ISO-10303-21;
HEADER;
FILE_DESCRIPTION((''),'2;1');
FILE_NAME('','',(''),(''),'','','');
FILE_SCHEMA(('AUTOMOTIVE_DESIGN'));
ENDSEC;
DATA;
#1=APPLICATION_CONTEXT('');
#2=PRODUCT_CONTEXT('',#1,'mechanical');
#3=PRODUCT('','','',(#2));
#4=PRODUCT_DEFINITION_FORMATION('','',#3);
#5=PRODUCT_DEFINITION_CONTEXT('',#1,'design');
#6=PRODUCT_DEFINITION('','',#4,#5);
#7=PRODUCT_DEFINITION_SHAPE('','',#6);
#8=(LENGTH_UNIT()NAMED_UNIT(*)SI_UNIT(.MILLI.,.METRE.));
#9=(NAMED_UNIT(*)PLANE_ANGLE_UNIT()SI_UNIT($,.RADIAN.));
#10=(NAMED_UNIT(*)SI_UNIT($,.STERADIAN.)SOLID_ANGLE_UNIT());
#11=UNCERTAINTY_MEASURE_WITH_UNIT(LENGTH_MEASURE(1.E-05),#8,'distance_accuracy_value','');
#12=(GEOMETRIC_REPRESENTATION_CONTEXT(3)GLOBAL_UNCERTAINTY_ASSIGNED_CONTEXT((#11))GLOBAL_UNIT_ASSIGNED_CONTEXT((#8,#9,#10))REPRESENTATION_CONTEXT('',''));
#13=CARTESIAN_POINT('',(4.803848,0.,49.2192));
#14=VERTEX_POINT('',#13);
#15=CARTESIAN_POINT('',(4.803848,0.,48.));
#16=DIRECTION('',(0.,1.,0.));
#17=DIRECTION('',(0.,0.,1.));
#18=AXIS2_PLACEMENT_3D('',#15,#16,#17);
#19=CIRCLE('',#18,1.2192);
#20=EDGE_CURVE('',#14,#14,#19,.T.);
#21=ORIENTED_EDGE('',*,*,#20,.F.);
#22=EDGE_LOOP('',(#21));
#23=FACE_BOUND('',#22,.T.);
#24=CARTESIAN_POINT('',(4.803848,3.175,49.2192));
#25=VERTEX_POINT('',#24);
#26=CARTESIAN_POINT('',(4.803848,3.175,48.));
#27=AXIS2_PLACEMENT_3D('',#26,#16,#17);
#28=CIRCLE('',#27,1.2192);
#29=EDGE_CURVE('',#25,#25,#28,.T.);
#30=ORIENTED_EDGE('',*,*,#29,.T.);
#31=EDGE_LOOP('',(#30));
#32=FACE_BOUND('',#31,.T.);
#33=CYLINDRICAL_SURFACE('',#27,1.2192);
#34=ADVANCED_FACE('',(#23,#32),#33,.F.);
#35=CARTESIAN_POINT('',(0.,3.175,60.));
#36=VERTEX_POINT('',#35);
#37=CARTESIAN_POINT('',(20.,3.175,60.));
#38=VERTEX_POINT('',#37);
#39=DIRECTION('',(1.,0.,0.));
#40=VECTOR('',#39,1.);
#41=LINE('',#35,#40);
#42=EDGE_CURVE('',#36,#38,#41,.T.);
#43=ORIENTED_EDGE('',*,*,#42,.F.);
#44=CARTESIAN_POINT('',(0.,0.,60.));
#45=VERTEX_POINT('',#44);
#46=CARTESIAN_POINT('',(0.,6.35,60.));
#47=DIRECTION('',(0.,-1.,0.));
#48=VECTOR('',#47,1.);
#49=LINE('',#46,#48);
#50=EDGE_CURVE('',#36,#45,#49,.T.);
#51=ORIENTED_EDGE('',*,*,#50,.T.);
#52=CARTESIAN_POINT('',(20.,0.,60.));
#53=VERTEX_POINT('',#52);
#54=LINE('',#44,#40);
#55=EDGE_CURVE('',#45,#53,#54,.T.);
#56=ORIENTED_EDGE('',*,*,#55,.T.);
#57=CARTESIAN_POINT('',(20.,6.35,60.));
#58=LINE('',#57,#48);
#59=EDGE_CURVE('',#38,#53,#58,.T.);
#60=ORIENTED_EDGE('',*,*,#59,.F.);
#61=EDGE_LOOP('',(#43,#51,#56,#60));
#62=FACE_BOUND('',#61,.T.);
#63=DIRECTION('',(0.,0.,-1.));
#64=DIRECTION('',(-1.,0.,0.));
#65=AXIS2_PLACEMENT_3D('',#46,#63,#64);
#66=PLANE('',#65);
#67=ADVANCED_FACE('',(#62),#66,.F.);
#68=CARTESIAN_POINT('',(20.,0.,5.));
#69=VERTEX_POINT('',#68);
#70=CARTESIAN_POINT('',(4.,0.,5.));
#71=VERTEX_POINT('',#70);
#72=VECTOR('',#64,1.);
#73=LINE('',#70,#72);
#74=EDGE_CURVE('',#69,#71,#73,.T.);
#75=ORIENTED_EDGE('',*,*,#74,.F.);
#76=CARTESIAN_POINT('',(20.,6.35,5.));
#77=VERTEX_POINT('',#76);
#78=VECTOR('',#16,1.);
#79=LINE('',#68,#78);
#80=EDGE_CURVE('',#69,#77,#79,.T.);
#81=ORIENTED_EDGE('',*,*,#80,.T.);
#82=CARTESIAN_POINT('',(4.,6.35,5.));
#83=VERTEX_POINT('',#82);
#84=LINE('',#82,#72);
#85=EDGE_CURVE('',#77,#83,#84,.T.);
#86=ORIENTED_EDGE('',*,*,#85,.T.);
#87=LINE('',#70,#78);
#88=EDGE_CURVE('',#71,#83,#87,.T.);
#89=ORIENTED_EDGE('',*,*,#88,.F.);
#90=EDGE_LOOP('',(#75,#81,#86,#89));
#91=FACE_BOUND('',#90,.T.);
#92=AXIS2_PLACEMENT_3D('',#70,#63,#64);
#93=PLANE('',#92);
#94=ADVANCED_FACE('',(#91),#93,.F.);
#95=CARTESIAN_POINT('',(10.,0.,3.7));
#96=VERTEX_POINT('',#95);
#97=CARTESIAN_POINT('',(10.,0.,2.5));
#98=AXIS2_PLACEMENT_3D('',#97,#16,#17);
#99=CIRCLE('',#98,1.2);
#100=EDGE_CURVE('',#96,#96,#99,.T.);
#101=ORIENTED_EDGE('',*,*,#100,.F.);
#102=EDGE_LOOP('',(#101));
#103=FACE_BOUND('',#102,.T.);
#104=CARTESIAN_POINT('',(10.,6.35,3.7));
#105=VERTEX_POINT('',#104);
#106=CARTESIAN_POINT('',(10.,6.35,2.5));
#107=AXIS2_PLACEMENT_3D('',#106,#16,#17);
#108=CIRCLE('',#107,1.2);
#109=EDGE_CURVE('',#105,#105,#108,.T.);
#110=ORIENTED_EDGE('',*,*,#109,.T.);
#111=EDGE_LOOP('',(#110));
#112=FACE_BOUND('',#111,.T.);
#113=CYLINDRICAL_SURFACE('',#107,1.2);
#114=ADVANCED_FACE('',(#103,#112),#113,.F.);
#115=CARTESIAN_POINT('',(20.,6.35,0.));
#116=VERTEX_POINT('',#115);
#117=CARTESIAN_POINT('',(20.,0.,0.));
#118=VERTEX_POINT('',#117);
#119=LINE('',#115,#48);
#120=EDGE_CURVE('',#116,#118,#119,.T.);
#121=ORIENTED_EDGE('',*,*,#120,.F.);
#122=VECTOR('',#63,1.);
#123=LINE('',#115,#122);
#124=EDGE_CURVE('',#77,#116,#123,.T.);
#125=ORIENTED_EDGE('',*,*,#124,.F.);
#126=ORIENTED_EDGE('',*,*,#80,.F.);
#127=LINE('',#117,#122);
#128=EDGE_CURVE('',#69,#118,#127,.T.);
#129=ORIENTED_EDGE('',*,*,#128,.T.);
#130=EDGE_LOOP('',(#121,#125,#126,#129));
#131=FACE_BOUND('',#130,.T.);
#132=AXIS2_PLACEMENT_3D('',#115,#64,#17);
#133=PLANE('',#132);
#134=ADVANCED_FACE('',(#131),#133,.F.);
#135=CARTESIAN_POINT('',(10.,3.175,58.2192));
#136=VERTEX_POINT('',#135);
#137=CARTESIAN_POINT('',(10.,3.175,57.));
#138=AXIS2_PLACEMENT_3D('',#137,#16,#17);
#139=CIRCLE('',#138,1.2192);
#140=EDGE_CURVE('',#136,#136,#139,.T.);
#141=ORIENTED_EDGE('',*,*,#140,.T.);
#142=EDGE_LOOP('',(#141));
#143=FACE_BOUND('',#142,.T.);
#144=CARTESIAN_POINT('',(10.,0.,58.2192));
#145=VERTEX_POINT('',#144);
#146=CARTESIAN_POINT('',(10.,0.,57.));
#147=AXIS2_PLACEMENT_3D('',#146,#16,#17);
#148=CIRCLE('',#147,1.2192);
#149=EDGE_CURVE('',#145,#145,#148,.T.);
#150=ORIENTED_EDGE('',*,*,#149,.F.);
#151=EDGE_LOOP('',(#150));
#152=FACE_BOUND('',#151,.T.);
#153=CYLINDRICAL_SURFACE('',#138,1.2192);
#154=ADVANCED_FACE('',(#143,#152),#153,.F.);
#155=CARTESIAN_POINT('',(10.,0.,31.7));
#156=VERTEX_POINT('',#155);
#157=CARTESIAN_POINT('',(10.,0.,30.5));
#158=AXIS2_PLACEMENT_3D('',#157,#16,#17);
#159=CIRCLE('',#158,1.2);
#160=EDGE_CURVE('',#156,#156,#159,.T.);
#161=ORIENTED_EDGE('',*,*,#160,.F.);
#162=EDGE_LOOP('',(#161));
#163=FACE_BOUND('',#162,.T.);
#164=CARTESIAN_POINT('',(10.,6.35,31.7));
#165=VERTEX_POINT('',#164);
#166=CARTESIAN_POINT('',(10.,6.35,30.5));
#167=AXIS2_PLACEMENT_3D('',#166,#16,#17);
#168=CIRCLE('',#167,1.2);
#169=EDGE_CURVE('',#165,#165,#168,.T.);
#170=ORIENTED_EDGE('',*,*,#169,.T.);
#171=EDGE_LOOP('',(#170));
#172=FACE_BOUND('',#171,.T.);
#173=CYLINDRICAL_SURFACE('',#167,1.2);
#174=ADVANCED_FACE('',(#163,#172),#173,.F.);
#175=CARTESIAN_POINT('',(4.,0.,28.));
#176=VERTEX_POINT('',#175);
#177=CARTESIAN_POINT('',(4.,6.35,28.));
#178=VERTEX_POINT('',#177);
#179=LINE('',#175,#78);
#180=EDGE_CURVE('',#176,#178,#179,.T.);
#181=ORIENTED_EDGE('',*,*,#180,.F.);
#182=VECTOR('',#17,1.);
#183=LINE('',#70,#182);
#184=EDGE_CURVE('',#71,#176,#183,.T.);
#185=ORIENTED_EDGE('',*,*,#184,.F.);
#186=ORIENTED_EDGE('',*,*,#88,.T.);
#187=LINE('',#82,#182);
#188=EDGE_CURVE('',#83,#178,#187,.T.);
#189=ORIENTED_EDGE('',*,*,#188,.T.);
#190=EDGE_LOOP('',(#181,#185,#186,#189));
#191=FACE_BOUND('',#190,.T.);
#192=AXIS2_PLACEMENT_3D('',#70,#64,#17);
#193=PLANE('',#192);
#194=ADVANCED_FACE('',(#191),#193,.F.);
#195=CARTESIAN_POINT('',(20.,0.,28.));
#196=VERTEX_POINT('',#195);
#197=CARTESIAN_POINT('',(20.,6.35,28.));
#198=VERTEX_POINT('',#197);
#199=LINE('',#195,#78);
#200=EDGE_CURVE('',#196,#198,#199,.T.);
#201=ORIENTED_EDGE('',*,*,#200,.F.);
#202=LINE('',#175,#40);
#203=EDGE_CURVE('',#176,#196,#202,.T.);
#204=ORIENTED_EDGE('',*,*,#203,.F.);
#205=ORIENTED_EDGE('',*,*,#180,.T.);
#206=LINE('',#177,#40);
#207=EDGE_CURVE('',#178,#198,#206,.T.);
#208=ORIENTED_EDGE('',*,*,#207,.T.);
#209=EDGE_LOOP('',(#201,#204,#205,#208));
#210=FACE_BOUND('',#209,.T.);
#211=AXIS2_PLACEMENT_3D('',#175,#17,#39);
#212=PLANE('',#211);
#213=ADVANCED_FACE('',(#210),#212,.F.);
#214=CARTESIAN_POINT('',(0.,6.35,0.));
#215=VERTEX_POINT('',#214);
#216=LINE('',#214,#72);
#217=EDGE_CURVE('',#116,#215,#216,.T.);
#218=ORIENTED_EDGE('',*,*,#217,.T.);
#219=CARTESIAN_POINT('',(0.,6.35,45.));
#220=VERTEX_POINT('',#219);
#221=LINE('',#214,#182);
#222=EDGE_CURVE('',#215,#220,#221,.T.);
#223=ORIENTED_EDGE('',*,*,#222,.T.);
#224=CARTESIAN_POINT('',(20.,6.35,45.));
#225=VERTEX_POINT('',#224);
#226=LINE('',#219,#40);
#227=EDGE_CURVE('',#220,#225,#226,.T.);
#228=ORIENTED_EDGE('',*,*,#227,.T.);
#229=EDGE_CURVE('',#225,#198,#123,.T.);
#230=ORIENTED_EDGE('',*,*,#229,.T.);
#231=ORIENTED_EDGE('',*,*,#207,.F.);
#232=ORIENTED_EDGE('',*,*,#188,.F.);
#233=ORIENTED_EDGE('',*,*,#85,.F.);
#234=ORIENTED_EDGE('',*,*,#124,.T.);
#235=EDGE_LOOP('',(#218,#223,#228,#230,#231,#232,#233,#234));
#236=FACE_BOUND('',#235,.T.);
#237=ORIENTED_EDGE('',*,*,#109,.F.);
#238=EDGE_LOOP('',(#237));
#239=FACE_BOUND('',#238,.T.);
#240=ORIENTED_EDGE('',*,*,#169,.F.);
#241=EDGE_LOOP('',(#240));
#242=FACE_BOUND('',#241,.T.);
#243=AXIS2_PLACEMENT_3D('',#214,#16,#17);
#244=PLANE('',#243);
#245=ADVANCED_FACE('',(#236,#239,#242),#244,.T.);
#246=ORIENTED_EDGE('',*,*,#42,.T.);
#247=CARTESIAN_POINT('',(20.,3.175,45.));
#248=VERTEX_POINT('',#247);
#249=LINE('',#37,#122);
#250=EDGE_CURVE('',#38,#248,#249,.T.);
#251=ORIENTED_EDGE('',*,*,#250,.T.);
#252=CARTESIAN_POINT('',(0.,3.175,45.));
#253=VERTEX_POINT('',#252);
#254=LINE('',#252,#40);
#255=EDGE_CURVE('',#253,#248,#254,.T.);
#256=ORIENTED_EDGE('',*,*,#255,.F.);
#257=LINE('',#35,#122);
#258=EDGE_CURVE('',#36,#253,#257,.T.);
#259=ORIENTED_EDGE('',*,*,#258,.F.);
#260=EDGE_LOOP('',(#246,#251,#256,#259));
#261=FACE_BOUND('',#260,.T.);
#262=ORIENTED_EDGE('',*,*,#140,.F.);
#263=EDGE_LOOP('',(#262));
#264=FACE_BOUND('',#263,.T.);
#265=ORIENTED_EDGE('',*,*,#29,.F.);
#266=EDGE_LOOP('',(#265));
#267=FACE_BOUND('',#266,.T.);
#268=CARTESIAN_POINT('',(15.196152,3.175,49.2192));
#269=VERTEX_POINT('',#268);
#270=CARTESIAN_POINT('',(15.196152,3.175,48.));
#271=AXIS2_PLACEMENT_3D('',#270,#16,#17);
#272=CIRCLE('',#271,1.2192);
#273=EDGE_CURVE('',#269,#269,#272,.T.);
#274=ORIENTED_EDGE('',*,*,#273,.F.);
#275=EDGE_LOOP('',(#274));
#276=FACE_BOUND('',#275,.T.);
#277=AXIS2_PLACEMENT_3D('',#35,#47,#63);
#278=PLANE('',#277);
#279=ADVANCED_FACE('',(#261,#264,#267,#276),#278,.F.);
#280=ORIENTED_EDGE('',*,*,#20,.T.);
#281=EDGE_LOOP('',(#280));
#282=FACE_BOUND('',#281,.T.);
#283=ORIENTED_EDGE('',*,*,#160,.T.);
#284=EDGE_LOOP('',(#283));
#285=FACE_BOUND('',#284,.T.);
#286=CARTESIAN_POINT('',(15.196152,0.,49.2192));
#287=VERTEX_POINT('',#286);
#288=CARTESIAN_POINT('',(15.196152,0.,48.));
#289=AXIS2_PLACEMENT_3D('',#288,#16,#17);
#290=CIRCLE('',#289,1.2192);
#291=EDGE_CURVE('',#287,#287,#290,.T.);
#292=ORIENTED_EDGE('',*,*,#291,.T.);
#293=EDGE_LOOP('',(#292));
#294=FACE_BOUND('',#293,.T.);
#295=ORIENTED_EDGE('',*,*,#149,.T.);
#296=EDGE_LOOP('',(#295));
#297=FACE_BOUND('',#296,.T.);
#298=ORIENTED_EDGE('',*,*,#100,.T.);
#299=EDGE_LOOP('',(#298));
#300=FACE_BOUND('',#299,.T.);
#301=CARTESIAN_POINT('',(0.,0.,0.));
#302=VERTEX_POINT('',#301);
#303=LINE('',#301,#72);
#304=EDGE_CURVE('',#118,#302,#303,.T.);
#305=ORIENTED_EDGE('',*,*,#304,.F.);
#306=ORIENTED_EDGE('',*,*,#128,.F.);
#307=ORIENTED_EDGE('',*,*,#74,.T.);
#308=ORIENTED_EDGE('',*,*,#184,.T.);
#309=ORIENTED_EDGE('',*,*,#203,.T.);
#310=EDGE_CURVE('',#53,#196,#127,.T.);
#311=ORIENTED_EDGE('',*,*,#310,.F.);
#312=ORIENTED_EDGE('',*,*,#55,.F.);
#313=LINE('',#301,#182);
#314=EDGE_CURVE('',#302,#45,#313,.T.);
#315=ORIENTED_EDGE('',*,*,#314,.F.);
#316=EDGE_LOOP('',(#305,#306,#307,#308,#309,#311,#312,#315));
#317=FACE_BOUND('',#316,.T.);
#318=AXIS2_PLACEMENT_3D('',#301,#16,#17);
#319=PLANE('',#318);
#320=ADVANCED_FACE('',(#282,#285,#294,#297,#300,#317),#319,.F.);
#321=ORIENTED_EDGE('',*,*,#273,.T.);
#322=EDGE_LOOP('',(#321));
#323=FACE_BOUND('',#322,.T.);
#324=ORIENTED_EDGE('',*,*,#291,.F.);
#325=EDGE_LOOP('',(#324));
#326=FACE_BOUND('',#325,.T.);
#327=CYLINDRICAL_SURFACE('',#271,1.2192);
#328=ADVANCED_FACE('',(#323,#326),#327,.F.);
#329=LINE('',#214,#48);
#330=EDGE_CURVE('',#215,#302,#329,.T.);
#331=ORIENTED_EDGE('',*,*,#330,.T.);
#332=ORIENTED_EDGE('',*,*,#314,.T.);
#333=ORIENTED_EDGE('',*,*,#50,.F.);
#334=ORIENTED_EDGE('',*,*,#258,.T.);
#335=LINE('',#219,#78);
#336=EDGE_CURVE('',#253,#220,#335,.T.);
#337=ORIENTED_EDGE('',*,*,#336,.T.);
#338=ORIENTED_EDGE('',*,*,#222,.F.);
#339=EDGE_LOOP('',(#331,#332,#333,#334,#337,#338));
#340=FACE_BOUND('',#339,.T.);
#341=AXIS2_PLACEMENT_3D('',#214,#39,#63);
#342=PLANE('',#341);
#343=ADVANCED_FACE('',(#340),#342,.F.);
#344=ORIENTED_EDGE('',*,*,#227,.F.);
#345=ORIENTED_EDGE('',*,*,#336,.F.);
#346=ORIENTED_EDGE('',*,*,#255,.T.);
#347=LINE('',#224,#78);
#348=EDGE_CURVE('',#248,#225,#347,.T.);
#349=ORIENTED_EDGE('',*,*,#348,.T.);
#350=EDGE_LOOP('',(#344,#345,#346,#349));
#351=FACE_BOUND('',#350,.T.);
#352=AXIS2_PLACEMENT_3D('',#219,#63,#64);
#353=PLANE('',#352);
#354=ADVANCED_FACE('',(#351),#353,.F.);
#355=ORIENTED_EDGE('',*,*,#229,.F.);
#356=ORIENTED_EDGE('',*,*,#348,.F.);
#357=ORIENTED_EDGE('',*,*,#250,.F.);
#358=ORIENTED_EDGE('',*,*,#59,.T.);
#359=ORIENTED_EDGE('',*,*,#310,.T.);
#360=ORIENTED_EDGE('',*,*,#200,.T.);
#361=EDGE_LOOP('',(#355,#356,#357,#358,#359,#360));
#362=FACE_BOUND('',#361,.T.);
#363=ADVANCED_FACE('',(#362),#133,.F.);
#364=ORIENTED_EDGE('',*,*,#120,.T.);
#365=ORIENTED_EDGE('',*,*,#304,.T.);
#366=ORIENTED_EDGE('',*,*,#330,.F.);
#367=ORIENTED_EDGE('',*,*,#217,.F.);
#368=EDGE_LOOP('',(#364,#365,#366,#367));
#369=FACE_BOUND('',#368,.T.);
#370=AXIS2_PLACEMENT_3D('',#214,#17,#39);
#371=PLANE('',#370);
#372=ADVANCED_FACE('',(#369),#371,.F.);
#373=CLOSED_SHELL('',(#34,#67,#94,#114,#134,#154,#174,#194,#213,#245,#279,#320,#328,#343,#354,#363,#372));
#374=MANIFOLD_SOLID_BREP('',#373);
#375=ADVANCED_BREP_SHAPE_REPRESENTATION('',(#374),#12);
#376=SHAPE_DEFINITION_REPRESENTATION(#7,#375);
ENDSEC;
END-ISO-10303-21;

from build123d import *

# Parameters (mm, degrees)
SKETCH2_W             = 20
SKETCH2_H             = 60
BOSS_EXTRUDE1_DEPTH   = 6.35
SKETCH4_W             = 16
SKETCH4_H             = 23
CUT_EXTRUDE1_DEPTH    = 64.563531211
M2_CLEARANCE_HOLE1_D  = 2.4
SKETCH10_W            = 15
SKETCH10_H            = 3.175
CUT_EXTRUDE2_DEPTH    = 64.563531211
F_2_CLEARANCE_HOLE1_D = 2.4384


with BuildPart() as part:
    # Sketch2 → Boss-Extrude1 (new body)
    with BuildSketch(Plane(origin=(0, 0, 0), x_dir=(1, 0, 0), z_dir=(0, 1, 0))):
        with Locations((10, -30)):
            Rectangle(SKETCH2_W, SKETCH2_H)
    extrude(amount=BOSS_EXTRUDE1_DEPTH)

    # Sketch4 → Cut-Extrude1 (cut, through all)
    with BuildSketch(Plane(origin=(0, 6.35, 0), x_dir=(1, 0, 0), z_dir=(0, 1, 0))):
        with Locations((12, -16.5)):
            Rectangle(SKETCH4_W, SKETCH4_H)
    extrude(amount=-CUT_EXTRUDE1_DEPTH, mode=Mode.SUBTRACT)

    # M2 Clearance Hole1 (through all)
    with Locations(Plane(origin=(0, 6.35, 0), x_dir=(1, 0, 0), z_dir=(0, 1, 0))):
        with Locations((10, -30.5), (10, -2.5)):
            Hole(M2_CLEARANCE_HOLE1_D / 2)

    # Sketch10 → Cut-Extrude2 (cut, through all)
    with BuildSketch(Plane(origin=(20, 0, 0), x_dir=(0, 0, -1), z_dir=(1, 0, 0))):
        with Locations((-52.5, 4.7625)):
            Rectangle(SKETCH10_W, SKETCH10_H)
    extrude(amount=-CUT_EXTRUDE2_DEPTH, mode=Mode.SUBTRACT)

    # #2 Clearance Hole1 (through all)
    with Locations(Plane(origin=(0, 3.175, 0), x_dir=(1, 0, 0), z_dir=(0, 1, 0))):
        with Locations((4.803847577, -48), (15.196152423, -48), (10, -57)):
            Hole(F_2_CLEARANCE_HOLE1_D / 2)


solid = part.part
